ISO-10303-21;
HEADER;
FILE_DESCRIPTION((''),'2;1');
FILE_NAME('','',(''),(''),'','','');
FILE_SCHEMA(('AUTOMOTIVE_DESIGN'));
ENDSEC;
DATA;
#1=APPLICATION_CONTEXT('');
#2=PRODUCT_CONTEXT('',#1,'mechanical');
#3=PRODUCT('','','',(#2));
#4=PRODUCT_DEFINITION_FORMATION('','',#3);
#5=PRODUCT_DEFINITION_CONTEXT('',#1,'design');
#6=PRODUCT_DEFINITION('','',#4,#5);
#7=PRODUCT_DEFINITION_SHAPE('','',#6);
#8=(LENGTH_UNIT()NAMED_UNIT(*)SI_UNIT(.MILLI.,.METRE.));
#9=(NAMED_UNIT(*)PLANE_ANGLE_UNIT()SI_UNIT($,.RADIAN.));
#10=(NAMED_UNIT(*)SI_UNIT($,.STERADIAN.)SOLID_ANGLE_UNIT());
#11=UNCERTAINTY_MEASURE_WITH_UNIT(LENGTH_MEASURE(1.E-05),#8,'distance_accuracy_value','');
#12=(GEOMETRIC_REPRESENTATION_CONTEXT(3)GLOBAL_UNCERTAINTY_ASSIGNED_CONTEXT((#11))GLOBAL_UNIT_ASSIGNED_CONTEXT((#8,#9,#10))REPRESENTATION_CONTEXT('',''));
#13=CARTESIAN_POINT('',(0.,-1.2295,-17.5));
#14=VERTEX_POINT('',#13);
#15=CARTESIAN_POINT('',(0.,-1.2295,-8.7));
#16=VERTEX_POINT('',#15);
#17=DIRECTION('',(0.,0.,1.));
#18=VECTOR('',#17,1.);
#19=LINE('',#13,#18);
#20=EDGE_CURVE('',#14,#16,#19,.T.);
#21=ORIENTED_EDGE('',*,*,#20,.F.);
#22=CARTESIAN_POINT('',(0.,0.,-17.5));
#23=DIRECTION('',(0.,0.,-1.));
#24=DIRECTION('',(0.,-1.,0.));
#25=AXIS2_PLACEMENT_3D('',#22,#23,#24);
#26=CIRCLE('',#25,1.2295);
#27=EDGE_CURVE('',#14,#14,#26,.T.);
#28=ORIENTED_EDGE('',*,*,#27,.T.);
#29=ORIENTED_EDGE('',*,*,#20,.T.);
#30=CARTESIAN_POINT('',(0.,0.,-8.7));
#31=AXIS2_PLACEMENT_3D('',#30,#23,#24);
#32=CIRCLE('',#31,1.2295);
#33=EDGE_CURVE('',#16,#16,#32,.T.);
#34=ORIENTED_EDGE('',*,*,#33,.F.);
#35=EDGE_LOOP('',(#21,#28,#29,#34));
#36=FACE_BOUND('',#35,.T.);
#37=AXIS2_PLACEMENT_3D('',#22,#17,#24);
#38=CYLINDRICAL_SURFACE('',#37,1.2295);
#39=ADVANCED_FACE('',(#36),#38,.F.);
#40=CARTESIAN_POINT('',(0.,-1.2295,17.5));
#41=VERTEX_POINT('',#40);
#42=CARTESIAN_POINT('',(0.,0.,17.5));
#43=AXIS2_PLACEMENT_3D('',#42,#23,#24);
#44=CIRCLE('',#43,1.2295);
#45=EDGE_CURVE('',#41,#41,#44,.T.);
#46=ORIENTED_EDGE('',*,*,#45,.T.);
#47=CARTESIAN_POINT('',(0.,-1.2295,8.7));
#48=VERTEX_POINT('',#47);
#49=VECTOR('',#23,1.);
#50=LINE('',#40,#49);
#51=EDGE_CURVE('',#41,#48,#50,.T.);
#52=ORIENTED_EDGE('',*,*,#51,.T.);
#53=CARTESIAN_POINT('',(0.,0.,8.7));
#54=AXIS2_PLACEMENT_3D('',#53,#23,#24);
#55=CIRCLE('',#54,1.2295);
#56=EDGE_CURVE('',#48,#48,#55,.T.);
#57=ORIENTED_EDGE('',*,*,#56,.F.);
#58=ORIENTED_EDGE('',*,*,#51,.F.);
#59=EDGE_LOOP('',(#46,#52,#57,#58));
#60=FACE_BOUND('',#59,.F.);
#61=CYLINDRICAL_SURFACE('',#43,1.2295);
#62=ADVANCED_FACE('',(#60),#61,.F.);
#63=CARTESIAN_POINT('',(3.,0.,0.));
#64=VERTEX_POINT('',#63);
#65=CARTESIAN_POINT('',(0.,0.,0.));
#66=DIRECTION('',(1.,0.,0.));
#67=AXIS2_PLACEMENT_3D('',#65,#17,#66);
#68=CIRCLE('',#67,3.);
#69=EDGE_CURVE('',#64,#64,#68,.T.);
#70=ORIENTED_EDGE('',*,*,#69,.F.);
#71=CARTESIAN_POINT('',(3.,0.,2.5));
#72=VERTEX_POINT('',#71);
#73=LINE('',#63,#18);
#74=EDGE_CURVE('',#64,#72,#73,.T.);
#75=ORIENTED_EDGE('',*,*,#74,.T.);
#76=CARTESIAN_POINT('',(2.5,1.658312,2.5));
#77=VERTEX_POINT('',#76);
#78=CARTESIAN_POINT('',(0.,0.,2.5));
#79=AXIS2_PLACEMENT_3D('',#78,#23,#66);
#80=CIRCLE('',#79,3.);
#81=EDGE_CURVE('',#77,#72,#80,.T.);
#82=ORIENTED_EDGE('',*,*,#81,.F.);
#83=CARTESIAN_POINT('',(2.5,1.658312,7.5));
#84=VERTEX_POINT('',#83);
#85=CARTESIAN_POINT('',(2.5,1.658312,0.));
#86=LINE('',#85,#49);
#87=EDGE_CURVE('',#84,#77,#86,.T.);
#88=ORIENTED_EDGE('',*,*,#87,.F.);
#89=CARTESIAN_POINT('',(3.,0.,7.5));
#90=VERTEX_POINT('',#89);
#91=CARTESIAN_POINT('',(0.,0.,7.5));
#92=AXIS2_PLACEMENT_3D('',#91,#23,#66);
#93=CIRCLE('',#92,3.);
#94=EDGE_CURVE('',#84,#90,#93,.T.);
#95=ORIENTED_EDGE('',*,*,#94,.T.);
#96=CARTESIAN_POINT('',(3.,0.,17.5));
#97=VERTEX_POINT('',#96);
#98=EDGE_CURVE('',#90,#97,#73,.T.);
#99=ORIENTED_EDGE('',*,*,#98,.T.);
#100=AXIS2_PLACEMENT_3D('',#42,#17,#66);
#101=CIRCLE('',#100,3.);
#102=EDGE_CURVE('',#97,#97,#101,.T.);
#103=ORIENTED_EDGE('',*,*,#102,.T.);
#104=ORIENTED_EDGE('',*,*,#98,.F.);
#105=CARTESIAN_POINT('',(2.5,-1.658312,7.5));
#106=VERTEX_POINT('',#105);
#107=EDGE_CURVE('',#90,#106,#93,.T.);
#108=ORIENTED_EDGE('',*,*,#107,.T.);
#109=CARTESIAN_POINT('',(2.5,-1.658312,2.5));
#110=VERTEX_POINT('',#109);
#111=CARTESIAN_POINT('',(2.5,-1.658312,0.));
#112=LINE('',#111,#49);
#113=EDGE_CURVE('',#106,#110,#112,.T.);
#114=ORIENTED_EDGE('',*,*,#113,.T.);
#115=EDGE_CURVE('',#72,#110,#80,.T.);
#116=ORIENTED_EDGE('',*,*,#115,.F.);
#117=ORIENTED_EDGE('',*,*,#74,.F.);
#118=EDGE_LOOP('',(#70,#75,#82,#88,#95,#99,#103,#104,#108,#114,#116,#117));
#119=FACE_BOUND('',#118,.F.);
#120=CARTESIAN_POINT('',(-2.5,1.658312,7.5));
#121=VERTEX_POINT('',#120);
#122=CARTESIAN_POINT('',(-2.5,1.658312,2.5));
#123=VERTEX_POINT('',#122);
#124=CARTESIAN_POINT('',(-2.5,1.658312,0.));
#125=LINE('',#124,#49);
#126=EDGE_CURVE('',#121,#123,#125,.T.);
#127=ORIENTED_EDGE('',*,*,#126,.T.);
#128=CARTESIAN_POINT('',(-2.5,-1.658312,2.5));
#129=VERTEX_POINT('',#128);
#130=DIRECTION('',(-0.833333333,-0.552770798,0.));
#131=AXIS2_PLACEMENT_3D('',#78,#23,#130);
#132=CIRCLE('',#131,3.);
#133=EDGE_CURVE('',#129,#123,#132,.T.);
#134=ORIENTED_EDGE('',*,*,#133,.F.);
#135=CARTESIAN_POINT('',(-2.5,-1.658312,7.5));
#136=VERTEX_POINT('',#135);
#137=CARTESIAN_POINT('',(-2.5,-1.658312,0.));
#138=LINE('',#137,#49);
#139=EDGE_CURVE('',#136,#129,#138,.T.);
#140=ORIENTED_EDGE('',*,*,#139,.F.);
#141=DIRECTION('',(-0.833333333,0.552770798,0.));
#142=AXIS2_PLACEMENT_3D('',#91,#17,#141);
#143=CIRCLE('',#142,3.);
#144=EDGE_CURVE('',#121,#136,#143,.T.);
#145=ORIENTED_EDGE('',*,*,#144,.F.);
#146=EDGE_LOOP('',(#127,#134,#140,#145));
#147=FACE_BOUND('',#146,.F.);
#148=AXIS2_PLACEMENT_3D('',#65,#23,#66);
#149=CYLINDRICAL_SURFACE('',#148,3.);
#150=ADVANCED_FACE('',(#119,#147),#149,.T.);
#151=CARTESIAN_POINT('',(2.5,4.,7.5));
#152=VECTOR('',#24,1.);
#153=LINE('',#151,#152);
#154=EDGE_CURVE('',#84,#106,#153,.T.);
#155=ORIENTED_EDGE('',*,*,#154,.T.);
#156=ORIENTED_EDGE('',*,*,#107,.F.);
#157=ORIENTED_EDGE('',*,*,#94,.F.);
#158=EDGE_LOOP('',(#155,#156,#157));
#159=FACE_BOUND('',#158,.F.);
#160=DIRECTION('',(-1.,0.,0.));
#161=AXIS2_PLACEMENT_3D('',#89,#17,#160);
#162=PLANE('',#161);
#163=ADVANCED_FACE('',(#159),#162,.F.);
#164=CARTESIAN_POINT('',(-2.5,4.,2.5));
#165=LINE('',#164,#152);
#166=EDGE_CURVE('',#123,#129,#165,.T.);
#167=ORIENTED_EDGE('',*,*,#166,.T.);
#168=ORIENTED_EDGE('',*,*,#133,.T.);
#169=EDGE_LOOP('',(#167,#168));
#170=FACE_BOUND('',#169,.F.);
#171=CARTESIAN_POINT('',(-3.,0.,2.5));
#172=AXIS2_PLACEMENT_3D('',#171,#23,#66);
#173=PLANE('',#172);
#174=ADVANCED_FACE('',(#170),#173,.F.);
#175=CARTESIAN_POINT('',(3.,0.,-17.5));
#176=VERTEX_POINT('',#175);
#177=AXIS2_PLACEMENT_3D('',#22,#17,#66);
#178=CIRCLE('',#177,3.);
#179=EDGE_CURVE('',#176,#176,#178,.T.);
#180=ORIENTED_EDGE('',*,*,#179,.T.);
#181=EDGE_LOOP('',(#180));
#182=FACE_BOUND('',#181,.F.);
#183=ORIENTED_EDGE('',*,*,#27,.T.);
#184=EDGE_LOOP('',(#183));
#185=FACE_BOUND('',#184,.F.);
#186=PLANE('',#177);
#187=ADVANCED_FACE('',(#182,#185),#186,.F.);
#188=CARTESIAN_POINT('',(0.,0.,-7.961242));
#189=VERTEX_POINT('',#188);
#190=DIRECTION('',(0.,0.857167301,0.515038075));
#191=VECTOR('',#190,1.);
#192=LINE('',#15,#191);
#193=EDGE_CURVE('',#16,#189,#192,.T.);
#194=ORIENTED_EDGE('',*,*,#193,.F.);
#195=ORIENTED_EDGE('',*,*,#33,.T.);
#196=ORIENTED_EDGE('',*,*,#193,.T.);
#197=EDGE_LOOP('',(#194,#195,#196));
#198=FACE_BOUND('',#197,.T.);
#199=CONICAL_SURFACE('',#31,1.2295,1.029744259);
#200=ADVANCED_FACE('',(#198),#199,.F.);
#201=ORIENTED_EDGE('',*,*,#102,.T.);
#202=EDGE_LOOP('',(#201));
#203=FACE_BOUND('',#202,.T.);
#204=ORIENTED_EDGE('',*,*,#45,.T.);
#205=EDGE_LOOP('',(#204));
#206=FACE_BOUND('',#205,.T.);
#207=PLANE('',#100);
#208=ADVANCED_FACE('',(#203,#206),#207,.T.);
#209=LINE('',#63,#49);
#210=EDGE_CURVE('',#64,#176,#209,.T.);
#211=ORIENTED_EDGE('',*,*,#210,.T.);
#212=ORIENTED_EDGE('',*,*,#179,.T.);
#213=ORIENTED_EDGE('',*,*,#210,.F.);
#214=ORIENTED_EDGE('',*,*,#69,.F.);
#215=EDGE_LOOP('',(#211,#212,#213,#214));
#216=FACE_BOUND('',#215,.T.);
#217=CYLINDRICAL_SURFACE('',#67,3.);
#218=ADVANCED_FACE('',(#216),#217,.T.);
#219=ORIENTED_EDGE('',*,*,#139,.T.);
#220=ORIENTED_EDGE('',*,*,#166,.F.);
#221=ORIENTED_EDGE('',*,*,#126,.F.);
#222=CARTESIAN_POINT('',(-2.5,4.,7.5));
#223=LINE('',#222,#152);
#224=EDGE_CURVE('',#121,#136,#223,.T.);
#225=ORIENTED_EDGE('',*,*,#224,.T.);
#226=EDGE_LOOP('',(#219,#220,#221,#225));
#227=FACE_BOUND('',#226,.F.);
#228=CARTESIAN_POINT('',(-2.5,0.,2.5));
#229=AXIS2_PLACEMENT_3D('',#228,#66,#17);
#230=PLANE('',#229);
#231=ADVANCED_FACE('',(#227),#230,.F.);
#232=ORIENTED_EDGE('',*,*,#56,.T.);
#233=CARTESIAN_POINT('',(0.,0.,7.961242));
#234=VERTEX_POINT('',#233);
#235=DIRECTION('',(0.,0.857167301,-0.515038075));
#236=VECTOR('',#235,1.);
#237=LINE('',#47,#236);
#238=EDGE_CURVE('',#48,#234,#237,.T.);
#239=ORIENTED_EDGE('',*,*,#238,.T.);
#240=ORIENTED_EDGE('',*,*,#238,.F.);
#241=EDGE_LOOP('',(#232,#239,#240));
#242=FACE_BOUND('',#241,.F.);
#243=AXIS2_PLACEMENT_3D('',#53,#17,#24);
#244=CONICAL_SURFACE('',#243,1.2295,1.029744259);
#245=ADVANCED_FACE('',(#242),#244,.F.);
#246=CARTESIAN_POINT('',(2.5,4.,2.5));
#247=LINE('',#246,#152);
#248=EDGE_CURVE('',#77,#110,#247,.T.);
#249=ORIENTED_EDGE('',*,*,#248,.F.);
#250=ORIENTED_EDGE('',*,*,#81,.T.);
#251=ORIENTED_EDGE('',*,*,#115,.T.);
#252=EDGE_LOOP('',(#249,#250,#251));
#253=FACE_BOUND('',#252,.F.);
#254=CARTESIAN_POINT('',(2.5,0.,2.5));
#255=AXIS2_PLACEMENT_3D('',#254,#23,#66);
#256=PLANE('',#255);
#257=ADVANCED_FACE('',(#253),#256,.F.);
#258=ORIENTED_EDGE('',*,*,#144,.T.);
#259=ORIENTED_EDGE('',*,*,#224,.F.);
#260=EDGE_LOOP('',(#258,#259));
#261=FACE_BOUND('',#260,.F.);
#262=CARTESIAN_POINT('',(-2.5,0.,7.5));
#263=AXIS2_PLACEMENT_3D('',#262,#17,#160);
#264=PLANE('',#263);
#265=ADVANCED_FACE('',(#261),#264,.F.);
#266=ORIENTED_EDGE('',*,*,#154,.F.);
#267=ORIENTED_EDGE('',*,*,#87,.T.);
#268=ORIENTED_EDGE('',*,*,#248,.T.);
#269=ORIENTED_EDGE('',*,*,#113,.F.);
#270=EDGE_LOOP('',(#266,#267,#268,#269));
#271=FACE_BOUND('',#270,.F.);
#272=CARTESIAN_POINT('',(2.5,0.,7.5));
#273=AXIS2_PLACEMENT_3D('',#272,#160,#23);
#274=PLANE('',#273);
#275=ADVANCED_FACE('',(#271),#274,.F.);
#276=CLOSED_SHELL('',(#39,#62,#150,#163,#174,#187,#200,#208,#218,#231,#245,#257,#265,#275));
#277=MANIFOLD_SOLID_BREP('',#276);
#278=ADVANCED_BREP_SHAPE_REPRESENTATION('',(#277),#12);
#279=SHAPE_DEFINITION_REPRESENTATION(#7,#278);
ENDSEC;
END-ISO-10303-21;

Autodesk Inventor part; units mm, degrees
ref_plane "YZ Plane" through (0, 0, 0) normal (1, 0, 0) x (0, 1, 0)
ref_plane "XZ Plane" through (0, 0, 0) normal (0, 1, 0) x (-1, 0, 0)
ref_plane "XY Plane" through (0, 0, 0) normal (0, 0, 1) x (1, 0, 0)
sketch "Sketch1" plane through (0, 0, 0) normal (0, 0, 1) x (1, 0, 0)
  circle A0 centre (0, 0) radius 3
  dimension "d0" = 6
extrude "Extrusion1" add sketch "Sketch1" along normal mid plane 35
sketch "Sketch2" plane through (0, 0, 17.5) normal (0, 0, 1) x (1, 0, 0)
  point P0 (0, 0)
  point P1 (0, 0)
hole "Hole1" at (0, 0, 17.5) direction (0, 0, -1) diameter 2.459 depth 8.8 tip angle 118 thread size "M3x0.5" class "6H" standard "ANSI Metric M Profile"
sketch "Sketch3" plane through (0, 0, 0) normal (0, 1, 0) x (-1, 0, 0)
  line L0 (3, 2.5) -> (2.5, 2.5)
  line L1 (2.5, 2.5) -> (2.5, 7.5)
  line L2 (2.5, 7.5) -> (3, 7.5)
  line L3 (3, 7.5) -> (3, 2.5)
  line L4 (-3, 7.5) -> (-2.5, 7.5)
  line L5 (-2.5, 7.5) -> (-2.5, 2.5)
  line L6 (-2.5, 2.5) -> (-3, 2.5)
  line L7 (-3, 2.5) -> (-3, 7.5)
  line L8 (-3, -17.5) -> (3, -17.5) projected
  line L9 (3, 17.5) -> (-3, 17.5) projected
  point P0 (0, 0)
  point P1 (-3, 23.75)
  dimension "d16" = 0.5
  dimension "d17" = 0.5
  dimension "d18" = 5
  dimension "d19" = 10
extrude "Extrusion2" cut sketch "Sketch3" along normal through all both and the other way through all
mirror "Mirror1" about plane through (0, 0, 0) normal (0, 0, 1) of "Hole1"
equation "\"d17\" = d16"
properties part number "Pancake_Connector" material "Aluminum 6061"
